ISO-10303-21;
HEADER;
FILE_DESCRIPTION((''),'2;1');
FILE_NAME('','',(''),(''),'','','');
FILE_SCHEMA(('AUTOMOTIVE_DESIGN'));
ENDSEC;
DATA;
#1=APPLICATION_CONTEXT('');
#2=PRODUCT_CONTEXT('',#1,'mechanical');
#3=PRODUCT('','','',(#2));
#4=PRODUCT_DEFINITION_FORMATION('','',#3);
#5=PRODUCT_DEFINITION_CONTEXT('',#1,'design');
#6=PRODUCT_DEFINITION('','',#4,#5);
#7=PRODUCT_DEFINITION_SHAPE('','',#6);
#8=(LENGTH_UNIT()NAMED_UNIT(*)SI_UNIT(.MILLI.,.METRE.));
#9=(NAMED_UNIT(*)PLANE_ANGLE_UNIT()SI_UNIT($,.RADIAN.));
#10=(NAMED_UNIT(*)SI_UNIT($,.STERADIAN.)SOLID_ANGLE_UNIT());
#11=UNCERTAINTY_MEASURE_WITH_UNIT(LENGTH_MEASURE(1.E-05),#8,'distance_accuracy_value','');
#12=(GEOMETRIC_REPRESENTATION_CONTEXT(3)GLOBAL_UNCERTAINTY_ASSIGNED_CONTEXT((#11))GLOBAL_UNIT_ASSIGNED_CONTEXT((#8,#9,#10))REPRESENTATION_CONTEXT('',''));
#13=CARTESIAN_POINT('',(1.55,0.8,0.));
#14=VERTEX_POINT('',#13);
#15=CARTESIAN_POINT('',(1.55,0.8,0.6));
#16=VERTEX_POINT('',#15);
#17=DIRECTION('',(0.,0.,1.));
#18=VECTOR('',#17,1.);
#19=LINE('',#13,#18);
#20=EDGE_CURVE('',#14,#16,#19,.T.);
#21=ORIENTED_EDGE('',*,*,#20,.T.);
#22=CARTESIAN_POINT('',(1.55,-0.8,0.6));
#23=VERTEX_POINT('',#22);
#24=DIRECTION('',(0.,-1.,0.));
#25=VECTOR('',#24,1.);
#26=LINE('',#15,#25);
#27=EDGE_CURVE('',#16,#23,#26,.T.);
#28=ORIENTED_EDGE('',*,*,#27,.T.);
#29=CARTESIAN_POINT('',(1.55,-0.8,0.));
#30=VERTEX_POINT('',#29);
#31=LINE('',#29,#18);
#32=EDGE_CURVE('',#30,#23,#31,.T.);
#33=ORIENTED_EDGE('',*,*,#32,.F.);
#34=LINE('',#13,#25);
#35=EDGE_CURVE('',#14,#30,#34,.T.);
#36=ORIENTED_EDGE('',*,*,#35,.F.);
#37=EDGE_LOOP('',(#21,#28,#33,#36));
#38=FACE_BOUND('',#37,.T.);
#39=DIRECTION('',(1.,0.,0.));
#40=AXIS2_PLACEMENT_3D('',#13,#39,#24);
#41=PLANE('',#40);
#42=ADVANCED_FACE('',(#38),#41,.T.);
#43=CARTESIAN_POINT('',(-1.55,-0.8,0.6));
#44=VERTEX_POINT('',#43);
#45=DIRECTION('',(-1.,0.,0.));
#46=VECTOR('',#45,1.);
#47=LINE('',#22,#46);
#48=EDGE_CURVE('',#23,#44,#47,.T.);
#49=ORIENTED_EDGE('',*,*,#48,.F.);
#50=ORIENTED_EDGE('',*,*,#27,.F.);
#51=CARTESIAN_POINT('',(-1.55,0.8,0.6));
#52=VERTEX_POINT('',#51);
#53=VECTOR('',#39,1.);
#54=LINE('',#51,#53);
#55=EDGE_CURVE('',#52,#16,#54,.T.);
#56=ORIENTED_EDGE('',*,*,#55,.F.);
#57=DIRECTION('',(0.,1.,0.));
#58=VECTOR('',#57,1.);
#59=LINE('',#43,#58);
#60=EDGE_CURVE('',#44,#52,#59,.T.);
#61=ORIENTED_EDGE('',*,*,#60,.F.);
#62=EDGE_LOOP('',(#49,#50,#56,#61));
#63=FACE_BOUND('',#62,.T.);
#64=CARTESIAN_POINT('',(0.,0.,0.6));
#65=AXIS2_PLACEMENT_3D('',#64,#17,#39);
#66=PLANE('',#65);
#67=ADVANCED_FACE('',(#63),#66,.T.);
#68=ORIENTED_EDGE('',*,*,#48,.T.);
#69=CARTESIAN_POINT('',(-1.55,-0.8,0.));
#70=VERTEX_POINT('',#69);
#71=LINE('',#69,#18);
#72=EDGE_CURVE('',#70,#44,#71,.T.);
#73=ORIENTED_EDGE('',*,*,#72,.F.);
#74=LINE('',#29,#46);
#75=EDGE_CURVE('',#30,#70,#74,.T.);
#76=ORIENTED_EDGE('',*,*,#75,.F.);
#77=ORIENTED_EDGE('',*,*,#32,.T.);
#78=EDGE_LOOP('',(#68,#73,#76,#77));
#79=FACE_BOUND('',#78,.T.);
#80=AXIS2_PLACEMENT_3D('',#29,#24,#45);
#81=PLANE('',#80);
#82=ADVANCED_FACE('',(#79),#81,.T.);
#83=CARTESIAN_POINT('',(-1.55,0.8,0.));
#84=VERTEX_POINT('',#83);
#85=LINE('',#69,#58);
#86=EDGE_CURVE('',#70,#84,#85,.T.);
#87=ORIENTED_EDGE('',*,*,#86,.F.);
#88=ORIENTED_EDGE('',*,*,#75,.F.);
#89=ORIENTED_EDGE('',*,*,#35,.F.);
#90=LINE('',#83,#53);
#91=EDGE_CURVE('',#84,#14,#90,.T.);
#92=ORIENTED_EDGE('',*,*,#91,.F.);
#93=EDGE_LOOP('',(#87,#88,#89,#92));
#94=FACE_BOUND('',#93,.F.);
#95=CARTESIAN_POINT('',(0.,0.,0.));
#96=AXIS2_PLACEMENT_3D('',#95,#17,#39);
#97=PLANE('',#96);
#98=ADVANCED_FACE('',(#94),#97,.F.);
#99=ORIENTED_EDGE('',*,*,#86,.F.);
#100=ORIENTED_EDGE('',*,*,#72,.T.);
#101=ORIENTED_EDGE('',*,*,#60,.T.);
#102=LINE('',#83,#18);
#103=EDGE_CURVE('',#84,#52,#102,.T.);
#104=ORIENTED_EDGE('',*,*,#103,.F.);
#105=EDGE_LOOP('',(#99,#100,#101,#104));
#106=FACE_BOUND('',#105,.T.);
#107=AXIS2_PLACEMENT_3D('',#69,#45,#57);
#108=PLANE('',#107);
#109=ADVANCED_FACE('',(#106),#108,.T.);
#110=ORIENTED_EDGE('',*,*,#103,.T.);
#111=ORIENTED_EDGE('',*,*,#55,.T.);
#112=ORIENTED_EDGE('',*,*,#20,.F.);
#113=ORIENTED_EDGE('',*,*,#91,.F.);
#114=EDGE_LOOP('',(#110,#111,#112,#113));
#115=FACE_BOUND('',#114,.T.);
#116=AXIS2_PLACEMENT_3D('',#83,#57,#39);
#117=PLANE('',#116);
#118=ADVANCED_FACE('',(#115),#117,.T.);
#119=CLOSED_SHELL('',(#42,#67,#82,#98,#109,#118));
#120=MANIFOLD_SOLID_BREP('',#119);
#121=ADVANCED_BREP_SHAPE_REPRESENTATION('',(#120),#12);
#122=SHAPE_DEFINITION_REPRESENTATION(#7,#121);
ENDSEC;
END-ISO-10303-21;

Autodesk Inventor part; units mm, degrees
ref_plane "YZ Plane" through (0, 0, 0) normal (1, 0, 0) x (0, 1, 0)
ref_plane "XZ Plane" through (0, 0, 0) normal (0, 1, 0) x (-1, 0, 0)
ref_plane "XY Plane" through (0, 0, 0) normal (0, 0, 1) x (1, 0, 0)
sketch "R1206, 0.1r_248" plane through (0, 0, 0) normal (0, 0, 1) x (1, 0, 0)
  line L0 (1.55, 0.8) -> (1.55, -0.8)
  line L1 (1.55, -0.8) -> (-1.55, -0.8)
  line L2 (-1.55, -0.8) -> (-1.55, 0.8)
  line L3 (-1.55, 0.8) -> (1.55, 0.8)
extrude "Extrusion1" add sketch "R1206, 0.1r_248" along normal blind 0.6
properties part number "0.1r"
